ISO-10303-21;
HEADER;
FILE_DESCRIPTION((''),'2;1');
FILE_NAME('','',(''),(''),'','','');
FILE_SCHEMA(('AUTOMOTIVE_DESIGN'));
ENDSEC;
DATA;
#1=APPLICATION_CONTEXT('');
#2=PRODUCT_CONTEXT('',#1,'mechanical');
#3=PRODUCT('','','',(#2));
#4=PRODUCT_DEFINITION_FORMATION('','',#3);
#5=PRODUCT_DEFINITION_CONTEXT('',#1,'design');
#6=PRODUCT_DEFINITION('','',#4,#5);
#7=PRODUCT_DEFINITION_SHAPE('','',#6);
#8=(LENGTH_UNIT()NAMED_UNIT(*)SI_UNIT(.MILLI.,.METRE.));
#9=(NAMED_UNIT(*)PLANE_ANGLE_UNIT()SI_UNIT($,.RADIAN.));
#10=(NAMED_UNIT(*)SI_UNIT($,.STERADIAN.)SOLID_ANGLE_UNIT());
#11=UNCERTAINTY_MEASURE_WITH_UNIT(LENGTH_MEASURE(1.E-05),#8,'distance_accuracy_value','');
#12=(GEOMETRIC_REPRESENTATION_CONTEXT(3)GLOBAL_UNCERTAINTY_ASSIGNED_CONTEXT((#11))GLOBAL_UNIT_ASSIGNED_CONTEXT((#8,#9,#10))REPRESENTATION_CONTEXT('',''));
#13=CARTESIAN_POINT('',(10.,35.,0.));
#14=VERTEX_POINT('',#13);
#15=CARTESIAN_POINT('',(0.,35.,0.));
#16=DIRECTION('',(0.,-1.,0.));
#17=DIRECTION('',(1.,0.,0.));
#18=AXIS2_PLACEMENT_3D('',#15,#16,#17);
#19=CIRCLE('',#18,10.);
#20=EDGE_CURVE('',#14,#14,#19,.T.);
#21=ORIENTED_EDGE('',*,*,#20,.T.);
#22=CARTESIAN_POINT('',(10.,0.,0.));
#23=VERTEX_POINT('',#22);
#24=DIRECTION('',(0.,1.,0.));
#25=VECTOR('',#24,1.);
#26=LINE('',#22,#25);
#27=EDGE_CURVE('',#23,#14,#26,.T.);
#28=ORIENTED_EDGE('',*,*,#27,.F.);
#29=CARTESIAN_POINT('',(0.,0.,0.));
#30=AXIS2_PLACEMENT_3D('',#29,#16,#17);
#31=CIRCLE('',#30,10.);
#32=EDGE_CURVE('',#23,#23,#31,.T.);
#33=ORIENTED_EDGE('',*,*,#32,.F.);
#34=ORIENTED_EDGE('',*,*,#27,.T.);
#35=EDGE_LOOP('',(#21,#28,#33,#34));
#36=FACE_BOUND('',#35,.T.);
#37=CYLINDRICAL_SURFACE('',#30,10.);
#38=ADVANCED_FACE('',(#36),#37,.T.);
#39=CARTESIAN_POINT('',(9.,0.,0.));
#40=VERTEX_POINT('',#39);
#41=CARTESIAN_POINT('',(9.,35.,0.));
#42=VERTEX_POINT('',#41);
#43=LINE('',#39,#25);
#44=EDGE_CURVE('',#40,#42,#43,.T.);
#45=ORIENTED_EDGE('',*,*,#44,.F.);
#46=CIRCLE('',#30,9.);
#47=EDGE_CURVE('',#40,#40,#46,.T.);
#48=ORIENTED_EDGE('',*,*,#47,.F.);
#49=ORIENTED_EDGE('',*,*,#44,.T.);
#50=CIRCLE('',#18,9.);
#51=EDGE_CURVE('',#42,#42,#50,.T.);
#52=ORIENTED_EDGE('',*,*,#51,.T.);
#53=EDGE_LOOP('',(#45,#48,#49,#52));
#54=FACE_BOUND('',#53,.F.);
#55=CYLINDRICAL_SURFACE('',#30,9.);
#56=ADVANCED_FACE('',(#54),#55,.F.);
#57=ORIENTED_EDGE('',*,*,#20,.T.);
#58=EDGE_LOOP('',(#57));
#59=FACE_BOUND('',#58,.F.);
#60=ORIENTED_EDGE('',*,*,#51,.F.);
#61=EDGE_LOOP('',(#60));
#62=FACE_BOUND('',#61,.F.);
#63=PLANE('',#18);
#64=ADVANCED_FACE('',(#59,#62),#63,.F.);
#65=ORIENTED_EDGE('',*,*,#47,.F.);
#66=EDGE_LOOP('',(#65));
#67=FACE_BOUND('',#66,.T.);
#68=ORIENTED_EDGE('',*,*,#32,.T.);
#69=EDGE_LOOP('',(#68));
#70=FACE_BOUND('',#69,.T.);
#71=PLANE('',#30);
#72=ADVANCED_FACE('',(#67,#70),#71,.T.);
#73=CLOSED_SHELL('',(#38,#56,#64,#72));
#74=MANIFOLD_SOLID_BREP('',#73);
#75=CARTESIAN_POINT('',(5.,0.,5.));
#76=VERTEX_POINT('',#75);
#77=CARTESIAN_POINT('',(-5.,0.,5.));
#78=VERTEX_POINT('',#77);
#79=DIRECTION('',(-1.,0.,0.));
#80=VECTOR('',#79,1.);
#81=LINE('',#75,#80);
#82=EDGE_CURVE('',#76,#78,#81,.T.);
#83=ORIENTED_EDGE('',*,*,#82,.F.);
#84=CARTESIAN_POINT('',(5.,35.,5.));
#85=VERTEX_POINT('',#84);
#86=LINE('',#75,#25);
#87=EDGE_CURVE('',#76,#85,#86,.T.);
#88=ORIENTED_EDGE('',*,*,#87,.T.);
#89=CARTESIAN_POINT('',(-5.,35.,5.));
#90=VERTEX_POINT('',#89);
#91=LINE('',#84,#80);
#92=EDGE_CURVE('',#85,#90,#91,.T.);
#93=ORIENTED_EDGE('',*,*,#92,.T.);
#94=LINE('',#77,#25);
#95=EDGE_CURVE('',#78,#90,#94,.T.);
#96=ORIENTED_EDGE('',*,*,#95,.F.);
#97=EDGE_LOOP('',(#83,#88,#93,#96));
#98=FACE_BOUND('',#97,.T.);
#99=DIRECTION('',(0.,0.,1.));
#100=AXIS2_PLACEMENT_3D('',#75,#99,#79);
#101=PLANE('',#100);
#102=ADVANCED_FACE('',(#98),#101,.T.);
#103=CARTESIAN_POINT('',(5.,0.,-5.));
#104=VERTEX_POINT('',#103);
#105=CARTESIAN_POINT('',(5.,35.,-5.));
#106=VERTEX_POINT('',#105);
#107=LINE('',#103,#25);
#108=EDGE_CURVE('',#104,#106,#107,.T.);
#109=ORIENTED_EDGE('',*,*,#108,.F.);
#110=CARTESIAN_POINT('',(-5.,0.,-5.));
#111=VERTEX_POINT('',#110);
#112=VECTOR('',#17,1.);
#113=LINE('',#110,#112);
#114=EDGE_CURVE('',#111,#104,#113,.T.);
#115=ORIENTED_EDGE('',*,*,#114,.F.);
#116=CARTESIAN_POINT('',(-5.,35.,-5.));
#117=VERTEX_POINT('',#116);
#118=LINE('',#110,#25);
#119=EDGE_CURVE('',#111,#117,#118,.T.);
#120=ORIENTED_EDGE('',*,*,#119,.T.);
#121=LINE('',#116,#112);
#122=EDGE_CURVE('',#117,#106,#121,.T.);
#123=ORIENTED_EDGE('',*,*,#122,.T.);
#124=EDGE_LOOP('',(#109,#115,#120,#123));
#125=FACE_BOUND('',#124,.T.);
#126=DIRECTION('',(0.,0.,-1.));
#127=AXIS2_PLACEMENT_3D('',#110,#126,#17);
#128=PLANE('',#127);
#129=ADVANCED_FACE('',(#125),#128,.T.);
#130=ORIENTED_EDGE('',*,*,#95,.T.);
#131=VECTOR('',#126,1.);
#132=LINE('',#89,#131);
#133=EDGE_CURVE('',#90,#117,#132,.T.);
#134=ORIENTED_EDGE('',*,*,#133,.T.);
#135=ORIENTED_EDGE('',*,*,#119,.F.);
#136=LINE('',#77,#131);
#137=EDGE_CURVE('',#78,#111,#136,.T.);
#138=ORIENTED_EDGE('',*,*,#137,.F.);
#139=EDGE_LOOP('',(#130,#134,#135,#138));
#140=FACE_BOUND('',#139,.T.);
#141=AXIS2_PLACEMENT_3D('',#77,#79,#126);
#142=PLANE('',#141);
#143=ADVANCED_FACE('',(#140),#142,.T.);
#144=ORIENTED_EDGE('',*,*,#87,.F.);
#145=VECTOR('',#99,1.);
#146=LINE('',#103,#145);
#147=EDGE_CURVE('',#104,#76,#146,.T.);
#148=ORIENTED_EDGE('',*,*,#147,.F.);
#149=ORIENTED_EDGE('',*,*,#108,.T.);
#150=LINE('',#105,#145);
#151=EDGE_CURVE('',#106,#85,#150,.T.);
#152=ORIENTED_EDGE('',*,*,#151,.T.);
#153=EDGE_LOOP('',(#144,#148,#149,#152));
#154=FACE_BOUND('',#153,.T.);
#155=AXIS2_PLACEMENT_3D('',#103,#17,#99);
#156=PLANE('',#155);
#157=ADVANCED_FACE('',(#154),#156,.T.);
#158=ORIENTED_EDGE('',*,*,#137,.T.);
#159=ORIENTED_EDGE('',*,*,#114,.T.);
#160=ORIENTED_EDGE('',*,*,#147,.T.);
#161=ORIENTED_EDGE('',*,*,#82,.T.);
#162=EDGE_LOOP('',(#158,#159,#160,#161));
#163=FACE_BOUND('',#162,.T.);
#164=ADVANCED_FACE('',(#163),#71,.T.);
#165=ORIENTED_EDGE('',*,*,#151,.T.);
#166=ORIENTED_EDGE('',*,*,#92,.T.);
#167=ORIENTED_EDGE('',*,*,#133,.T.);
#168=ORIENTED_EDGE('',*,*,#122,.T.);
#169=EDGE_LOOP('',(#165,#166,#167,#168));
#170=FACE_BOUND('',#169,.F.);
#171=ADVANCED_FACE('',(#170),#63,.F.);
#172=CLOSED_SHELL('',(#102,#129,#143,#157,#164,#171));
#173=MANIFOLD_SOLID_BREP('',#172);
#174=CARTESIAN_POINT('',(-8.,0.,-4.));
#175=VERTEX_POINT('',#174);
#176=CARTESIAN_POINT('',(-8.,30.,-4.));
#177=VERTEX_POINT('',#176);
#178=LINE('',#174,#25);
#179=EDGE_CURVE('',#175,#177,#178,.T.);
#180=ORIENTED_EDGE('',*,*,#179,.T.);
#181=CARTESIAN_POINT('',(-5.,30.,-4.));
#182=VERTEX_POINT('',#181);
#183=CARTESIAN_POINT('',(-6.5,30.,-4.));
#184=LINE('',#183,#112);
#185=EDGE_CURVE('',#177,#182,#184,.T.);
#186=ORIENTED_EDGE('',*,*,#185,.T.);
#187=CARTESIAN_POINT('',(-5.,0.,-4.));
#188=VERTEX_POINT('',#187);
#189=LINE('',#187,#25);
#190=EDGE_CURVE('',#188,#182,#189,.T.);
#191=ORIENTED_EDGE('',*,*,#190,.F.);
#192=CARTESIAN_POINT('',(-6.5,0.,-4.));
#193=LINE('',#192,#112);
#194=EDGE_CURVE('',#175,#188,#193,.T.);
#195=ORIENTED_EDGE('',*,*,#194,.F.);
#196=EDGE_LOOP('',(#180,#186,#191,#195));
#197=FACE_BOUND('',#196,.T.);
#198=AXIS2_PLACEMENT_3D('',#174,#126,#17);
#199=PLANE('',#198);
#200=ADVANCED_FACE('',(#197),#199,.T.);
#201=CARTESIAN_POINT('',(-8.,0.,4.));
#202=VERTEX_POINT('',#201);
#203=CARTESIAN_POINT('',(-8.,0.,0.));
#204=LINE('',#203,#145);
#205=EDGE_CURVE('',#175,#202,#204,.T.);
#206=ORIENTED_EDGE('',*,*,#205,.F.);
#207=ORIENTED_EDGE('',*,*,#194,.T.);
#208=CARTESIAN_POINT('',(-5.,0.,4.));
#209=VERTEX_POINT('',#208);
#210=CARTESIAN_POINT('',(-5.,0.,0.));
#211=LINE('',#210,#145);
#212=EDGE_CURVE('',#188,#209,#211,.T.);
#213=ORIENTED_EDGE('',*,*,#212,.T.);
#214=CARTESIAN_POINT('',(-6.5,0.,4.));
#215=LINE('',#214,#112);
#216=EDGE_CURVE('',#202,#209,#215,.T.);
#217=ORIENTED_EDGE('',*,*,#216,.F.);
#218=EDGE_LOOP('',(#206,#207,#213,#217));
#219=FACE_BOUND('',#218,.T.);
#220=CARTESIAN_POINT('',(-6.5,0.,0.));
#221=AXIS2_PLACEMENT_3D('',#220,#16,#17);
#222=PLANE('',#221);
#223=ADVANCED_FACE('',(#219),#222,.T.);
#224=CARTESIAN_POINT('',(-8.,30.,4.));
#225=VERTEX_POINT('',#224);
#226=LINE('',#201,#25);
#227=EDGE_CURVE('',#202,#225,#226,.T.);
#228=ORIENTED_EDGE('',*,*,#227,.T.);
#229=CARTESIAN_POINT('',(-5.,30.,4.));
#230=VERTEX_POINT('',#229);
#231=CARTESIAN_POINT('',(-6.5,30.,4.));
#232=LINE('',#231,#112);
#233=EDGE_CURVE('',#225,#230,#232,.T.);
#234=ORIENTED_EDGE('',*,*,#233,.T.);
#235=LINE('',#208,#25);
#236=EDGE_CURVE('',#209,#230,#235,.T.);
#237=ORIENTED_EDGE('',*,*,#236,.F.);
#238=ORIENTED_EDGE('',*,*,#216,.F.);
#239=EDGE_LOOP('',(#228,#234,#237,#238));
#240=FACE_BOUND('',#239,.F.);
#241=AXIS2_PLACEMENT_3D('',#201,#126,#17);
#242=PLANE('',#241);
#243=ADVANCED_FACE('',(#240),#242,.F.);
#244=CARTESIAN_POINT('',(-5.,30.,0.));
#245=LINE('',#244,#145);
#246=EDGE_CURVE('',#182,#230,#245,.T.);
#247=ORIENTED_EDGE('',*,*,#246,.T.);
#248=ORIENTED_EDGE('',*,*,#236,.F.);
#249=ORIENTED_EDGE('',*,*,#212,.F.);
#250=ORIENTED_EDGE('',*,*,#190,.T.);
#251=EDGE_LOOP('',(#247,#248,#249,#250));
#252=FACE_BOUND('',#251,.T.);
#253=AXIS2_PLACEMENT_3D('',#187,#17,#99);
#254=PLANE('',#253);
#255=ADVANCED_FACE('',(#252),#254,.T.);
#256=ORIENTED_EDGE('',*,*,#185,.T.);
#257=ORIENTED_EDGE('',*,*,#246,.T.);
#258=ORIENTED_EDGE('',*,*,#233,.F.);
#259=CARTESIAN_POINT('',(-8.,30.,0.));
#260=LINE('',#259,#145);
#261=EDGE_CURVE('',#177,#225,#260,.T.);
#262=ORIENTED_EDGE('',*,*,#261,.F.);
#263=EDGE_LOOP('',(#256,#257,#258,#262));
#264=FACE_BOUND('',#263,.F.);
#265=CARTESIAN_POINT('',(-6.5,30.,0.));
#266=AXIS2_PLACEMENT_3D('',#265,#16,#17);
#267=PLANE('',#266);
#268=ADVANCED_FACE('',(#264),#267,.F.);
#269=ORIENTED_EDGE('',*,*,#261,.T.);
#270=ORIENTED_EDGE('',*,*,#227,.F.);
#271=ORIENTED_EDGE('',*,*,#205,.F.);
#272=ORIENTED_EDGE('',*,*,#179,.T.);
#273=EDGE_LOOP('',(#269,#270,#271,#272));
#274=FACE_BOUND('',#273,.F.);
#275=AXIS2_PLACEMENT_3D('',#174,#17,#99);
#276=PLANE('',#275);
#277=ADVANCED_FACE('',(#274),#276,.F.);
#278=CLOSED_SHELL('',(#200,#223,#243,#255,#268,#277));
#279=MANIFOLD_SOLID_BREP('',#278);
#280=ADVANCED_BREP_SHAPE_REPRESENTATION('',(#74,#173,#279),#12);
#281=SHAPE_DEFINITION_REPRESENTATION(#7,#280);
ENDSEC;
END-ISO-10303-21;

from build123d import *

# Parameters (mm, degrees)
F1_DEPTH = 35
F0_R     = 10
F0_R_2   = 9
F2_DEPTH = 35
F0_W     = 3
F0_H     = 8
F3_DEPTH = 30


with BuildPart() as f1:
    # F0 (on Front) → F1 (new body)
    with BuildSketch(Plane.XZ):
        Polygon((-5, -5), (5, -5), (5, 5), (-5, 5), (-5, 4), (-5, -4), align=None)
    extrude(amount=-F1_DEPTH)


with BuildPart() as f2:
    # F0 (on Front) → F2 (new body)
    with BuildSketch(Plane.XZ):
        Circle(F0_R)
        Circle(F0_R_2, mode=Mode.SUBTRACT)
    extrude(amount=-F2_DEPTH)


with BuildPart() as f3:
    # F0 (on Front) → F3 (new body)
    with BuildSketch(Plane.XZ):
        with Locations((-6.5, 0)):
            Rectangle(F0_W, F0_H)
    extrude(amount=-F3_DEPTH)


solid = Compound([f1.part, f2.part, f3.part])
